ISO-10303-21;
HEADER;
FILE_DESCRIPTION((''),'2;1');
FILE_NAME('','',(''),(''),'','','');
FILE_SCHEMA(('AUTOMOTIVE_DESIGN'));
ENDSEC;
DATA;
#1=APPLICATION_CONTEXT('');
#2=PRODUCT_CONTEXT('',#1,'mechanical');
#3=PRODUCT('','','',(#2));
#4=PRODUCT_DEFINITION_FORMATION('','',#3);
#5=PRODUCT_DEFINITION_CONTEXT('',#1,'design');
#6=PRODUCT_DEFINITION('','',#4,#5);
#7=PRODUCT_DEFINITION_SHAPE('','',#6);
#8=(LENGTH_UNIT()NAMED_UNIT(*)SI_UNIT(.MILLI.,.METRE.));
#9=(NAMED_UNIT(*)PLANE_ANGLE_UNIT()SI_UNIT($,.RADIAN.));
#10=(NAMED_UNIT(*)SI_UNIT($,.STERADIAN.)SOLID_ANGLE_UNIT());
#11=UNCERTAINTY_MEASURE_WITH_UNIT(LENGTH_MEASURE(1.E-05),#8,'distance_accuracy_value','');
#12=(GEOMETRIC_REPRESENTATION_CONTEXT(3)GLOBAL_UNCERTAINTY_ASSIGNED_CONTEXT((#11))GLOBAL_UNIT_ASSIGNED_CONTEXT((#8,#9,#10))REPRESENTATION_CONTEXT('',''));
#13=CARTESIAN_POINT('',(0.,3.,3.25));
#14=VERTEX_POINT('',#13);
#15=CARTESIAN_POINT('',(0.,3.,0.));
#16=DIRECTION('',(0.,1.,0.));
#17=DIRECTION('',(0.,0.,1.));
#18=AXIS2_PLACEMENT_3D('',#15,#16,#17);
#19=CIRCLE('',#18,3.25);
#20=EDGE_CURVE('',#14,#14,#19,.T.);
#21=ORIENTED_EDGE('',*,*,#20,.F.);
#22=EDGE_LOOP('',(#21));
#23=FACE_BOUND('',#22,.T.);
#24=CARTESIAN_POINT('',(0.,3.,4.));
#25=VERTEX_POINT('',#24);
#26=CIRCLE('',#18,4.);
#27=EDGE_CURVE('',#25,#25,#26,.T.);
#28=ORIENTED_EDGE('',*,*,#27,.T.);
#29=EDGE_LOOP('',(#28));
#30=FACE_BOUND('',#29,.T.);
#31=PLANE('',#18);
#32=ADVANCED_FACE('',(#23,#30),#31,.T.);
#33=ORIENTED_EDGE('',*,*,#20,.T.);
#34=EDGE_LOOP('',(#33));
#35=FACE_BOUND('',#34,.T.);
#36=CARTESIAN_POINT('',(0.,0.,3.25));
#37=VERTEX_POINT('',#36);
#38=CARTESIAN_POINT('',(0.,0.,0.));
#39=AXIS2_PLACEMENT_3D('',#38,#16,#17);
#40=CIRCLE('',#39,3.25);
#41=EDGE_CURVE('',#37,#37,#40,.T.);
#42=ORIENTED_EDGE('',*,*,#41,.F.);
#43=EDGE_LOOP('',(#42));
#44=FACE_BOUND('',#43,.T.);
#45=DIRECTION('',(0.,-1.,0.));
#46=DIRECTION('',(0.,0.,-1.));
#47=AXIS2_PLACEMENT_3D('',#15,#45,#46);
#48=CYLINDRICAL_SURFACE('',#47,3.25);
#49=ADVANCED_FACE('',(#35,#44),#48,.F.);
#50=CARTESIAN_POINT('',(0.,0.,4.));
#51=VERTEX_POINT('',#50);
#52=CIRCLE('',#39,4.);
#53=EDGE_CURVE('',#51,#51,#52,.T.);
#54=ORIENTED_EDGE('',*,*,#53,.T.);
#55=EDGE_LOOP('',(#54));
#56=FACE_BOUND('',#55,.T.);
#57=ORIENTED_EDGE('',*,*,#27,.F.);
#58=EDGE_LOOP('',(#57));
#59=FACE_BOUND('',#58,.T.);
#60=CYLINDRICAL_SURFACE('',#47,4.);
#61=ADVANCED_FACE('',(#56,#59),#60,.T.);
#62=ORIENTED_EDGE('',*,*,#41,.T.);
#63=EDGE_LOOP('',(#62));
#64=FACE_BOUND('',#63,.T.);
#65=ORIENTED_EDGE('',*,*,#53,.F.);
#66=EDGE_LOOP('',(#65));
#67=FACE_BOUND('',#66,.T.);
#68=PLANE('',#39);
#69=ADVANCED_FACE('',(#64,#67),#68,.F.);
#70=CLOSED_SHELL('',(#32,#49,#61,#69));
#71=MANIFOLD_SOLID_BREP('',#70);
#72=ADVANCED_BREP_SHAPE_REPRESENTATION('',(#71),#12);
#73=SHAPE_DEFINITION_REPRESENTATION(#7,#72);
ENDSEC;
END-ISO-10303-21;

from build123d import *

# Parameters (mm, degrees)
SKETCH_1_R      = 4
SKETCH_1_R_2    = 3.25
EXTRUDE_1_DEPTH = 3


with BuildPart() as part:
    # Эскиз1 → Бобышка-Вытянуть1 (new body)
    with BuildSketch(Plane(origin=(0, 0, 0), x_dir=(1, 0, 0), z_dir=(0, 1, 0))):
        with Locations(Location((0, 0, 0), (0, 0, 270))):
            Circle(SKETCH_1_R)
        with Locations(Location((0, 0, 0), (0, 0, 270))):
            Circle(SKETCH_1_R_2, mode=Mode.SUBTRACT)
    extrude(amount=EXTRUDE_1_DEPTH)


solid = part.part
